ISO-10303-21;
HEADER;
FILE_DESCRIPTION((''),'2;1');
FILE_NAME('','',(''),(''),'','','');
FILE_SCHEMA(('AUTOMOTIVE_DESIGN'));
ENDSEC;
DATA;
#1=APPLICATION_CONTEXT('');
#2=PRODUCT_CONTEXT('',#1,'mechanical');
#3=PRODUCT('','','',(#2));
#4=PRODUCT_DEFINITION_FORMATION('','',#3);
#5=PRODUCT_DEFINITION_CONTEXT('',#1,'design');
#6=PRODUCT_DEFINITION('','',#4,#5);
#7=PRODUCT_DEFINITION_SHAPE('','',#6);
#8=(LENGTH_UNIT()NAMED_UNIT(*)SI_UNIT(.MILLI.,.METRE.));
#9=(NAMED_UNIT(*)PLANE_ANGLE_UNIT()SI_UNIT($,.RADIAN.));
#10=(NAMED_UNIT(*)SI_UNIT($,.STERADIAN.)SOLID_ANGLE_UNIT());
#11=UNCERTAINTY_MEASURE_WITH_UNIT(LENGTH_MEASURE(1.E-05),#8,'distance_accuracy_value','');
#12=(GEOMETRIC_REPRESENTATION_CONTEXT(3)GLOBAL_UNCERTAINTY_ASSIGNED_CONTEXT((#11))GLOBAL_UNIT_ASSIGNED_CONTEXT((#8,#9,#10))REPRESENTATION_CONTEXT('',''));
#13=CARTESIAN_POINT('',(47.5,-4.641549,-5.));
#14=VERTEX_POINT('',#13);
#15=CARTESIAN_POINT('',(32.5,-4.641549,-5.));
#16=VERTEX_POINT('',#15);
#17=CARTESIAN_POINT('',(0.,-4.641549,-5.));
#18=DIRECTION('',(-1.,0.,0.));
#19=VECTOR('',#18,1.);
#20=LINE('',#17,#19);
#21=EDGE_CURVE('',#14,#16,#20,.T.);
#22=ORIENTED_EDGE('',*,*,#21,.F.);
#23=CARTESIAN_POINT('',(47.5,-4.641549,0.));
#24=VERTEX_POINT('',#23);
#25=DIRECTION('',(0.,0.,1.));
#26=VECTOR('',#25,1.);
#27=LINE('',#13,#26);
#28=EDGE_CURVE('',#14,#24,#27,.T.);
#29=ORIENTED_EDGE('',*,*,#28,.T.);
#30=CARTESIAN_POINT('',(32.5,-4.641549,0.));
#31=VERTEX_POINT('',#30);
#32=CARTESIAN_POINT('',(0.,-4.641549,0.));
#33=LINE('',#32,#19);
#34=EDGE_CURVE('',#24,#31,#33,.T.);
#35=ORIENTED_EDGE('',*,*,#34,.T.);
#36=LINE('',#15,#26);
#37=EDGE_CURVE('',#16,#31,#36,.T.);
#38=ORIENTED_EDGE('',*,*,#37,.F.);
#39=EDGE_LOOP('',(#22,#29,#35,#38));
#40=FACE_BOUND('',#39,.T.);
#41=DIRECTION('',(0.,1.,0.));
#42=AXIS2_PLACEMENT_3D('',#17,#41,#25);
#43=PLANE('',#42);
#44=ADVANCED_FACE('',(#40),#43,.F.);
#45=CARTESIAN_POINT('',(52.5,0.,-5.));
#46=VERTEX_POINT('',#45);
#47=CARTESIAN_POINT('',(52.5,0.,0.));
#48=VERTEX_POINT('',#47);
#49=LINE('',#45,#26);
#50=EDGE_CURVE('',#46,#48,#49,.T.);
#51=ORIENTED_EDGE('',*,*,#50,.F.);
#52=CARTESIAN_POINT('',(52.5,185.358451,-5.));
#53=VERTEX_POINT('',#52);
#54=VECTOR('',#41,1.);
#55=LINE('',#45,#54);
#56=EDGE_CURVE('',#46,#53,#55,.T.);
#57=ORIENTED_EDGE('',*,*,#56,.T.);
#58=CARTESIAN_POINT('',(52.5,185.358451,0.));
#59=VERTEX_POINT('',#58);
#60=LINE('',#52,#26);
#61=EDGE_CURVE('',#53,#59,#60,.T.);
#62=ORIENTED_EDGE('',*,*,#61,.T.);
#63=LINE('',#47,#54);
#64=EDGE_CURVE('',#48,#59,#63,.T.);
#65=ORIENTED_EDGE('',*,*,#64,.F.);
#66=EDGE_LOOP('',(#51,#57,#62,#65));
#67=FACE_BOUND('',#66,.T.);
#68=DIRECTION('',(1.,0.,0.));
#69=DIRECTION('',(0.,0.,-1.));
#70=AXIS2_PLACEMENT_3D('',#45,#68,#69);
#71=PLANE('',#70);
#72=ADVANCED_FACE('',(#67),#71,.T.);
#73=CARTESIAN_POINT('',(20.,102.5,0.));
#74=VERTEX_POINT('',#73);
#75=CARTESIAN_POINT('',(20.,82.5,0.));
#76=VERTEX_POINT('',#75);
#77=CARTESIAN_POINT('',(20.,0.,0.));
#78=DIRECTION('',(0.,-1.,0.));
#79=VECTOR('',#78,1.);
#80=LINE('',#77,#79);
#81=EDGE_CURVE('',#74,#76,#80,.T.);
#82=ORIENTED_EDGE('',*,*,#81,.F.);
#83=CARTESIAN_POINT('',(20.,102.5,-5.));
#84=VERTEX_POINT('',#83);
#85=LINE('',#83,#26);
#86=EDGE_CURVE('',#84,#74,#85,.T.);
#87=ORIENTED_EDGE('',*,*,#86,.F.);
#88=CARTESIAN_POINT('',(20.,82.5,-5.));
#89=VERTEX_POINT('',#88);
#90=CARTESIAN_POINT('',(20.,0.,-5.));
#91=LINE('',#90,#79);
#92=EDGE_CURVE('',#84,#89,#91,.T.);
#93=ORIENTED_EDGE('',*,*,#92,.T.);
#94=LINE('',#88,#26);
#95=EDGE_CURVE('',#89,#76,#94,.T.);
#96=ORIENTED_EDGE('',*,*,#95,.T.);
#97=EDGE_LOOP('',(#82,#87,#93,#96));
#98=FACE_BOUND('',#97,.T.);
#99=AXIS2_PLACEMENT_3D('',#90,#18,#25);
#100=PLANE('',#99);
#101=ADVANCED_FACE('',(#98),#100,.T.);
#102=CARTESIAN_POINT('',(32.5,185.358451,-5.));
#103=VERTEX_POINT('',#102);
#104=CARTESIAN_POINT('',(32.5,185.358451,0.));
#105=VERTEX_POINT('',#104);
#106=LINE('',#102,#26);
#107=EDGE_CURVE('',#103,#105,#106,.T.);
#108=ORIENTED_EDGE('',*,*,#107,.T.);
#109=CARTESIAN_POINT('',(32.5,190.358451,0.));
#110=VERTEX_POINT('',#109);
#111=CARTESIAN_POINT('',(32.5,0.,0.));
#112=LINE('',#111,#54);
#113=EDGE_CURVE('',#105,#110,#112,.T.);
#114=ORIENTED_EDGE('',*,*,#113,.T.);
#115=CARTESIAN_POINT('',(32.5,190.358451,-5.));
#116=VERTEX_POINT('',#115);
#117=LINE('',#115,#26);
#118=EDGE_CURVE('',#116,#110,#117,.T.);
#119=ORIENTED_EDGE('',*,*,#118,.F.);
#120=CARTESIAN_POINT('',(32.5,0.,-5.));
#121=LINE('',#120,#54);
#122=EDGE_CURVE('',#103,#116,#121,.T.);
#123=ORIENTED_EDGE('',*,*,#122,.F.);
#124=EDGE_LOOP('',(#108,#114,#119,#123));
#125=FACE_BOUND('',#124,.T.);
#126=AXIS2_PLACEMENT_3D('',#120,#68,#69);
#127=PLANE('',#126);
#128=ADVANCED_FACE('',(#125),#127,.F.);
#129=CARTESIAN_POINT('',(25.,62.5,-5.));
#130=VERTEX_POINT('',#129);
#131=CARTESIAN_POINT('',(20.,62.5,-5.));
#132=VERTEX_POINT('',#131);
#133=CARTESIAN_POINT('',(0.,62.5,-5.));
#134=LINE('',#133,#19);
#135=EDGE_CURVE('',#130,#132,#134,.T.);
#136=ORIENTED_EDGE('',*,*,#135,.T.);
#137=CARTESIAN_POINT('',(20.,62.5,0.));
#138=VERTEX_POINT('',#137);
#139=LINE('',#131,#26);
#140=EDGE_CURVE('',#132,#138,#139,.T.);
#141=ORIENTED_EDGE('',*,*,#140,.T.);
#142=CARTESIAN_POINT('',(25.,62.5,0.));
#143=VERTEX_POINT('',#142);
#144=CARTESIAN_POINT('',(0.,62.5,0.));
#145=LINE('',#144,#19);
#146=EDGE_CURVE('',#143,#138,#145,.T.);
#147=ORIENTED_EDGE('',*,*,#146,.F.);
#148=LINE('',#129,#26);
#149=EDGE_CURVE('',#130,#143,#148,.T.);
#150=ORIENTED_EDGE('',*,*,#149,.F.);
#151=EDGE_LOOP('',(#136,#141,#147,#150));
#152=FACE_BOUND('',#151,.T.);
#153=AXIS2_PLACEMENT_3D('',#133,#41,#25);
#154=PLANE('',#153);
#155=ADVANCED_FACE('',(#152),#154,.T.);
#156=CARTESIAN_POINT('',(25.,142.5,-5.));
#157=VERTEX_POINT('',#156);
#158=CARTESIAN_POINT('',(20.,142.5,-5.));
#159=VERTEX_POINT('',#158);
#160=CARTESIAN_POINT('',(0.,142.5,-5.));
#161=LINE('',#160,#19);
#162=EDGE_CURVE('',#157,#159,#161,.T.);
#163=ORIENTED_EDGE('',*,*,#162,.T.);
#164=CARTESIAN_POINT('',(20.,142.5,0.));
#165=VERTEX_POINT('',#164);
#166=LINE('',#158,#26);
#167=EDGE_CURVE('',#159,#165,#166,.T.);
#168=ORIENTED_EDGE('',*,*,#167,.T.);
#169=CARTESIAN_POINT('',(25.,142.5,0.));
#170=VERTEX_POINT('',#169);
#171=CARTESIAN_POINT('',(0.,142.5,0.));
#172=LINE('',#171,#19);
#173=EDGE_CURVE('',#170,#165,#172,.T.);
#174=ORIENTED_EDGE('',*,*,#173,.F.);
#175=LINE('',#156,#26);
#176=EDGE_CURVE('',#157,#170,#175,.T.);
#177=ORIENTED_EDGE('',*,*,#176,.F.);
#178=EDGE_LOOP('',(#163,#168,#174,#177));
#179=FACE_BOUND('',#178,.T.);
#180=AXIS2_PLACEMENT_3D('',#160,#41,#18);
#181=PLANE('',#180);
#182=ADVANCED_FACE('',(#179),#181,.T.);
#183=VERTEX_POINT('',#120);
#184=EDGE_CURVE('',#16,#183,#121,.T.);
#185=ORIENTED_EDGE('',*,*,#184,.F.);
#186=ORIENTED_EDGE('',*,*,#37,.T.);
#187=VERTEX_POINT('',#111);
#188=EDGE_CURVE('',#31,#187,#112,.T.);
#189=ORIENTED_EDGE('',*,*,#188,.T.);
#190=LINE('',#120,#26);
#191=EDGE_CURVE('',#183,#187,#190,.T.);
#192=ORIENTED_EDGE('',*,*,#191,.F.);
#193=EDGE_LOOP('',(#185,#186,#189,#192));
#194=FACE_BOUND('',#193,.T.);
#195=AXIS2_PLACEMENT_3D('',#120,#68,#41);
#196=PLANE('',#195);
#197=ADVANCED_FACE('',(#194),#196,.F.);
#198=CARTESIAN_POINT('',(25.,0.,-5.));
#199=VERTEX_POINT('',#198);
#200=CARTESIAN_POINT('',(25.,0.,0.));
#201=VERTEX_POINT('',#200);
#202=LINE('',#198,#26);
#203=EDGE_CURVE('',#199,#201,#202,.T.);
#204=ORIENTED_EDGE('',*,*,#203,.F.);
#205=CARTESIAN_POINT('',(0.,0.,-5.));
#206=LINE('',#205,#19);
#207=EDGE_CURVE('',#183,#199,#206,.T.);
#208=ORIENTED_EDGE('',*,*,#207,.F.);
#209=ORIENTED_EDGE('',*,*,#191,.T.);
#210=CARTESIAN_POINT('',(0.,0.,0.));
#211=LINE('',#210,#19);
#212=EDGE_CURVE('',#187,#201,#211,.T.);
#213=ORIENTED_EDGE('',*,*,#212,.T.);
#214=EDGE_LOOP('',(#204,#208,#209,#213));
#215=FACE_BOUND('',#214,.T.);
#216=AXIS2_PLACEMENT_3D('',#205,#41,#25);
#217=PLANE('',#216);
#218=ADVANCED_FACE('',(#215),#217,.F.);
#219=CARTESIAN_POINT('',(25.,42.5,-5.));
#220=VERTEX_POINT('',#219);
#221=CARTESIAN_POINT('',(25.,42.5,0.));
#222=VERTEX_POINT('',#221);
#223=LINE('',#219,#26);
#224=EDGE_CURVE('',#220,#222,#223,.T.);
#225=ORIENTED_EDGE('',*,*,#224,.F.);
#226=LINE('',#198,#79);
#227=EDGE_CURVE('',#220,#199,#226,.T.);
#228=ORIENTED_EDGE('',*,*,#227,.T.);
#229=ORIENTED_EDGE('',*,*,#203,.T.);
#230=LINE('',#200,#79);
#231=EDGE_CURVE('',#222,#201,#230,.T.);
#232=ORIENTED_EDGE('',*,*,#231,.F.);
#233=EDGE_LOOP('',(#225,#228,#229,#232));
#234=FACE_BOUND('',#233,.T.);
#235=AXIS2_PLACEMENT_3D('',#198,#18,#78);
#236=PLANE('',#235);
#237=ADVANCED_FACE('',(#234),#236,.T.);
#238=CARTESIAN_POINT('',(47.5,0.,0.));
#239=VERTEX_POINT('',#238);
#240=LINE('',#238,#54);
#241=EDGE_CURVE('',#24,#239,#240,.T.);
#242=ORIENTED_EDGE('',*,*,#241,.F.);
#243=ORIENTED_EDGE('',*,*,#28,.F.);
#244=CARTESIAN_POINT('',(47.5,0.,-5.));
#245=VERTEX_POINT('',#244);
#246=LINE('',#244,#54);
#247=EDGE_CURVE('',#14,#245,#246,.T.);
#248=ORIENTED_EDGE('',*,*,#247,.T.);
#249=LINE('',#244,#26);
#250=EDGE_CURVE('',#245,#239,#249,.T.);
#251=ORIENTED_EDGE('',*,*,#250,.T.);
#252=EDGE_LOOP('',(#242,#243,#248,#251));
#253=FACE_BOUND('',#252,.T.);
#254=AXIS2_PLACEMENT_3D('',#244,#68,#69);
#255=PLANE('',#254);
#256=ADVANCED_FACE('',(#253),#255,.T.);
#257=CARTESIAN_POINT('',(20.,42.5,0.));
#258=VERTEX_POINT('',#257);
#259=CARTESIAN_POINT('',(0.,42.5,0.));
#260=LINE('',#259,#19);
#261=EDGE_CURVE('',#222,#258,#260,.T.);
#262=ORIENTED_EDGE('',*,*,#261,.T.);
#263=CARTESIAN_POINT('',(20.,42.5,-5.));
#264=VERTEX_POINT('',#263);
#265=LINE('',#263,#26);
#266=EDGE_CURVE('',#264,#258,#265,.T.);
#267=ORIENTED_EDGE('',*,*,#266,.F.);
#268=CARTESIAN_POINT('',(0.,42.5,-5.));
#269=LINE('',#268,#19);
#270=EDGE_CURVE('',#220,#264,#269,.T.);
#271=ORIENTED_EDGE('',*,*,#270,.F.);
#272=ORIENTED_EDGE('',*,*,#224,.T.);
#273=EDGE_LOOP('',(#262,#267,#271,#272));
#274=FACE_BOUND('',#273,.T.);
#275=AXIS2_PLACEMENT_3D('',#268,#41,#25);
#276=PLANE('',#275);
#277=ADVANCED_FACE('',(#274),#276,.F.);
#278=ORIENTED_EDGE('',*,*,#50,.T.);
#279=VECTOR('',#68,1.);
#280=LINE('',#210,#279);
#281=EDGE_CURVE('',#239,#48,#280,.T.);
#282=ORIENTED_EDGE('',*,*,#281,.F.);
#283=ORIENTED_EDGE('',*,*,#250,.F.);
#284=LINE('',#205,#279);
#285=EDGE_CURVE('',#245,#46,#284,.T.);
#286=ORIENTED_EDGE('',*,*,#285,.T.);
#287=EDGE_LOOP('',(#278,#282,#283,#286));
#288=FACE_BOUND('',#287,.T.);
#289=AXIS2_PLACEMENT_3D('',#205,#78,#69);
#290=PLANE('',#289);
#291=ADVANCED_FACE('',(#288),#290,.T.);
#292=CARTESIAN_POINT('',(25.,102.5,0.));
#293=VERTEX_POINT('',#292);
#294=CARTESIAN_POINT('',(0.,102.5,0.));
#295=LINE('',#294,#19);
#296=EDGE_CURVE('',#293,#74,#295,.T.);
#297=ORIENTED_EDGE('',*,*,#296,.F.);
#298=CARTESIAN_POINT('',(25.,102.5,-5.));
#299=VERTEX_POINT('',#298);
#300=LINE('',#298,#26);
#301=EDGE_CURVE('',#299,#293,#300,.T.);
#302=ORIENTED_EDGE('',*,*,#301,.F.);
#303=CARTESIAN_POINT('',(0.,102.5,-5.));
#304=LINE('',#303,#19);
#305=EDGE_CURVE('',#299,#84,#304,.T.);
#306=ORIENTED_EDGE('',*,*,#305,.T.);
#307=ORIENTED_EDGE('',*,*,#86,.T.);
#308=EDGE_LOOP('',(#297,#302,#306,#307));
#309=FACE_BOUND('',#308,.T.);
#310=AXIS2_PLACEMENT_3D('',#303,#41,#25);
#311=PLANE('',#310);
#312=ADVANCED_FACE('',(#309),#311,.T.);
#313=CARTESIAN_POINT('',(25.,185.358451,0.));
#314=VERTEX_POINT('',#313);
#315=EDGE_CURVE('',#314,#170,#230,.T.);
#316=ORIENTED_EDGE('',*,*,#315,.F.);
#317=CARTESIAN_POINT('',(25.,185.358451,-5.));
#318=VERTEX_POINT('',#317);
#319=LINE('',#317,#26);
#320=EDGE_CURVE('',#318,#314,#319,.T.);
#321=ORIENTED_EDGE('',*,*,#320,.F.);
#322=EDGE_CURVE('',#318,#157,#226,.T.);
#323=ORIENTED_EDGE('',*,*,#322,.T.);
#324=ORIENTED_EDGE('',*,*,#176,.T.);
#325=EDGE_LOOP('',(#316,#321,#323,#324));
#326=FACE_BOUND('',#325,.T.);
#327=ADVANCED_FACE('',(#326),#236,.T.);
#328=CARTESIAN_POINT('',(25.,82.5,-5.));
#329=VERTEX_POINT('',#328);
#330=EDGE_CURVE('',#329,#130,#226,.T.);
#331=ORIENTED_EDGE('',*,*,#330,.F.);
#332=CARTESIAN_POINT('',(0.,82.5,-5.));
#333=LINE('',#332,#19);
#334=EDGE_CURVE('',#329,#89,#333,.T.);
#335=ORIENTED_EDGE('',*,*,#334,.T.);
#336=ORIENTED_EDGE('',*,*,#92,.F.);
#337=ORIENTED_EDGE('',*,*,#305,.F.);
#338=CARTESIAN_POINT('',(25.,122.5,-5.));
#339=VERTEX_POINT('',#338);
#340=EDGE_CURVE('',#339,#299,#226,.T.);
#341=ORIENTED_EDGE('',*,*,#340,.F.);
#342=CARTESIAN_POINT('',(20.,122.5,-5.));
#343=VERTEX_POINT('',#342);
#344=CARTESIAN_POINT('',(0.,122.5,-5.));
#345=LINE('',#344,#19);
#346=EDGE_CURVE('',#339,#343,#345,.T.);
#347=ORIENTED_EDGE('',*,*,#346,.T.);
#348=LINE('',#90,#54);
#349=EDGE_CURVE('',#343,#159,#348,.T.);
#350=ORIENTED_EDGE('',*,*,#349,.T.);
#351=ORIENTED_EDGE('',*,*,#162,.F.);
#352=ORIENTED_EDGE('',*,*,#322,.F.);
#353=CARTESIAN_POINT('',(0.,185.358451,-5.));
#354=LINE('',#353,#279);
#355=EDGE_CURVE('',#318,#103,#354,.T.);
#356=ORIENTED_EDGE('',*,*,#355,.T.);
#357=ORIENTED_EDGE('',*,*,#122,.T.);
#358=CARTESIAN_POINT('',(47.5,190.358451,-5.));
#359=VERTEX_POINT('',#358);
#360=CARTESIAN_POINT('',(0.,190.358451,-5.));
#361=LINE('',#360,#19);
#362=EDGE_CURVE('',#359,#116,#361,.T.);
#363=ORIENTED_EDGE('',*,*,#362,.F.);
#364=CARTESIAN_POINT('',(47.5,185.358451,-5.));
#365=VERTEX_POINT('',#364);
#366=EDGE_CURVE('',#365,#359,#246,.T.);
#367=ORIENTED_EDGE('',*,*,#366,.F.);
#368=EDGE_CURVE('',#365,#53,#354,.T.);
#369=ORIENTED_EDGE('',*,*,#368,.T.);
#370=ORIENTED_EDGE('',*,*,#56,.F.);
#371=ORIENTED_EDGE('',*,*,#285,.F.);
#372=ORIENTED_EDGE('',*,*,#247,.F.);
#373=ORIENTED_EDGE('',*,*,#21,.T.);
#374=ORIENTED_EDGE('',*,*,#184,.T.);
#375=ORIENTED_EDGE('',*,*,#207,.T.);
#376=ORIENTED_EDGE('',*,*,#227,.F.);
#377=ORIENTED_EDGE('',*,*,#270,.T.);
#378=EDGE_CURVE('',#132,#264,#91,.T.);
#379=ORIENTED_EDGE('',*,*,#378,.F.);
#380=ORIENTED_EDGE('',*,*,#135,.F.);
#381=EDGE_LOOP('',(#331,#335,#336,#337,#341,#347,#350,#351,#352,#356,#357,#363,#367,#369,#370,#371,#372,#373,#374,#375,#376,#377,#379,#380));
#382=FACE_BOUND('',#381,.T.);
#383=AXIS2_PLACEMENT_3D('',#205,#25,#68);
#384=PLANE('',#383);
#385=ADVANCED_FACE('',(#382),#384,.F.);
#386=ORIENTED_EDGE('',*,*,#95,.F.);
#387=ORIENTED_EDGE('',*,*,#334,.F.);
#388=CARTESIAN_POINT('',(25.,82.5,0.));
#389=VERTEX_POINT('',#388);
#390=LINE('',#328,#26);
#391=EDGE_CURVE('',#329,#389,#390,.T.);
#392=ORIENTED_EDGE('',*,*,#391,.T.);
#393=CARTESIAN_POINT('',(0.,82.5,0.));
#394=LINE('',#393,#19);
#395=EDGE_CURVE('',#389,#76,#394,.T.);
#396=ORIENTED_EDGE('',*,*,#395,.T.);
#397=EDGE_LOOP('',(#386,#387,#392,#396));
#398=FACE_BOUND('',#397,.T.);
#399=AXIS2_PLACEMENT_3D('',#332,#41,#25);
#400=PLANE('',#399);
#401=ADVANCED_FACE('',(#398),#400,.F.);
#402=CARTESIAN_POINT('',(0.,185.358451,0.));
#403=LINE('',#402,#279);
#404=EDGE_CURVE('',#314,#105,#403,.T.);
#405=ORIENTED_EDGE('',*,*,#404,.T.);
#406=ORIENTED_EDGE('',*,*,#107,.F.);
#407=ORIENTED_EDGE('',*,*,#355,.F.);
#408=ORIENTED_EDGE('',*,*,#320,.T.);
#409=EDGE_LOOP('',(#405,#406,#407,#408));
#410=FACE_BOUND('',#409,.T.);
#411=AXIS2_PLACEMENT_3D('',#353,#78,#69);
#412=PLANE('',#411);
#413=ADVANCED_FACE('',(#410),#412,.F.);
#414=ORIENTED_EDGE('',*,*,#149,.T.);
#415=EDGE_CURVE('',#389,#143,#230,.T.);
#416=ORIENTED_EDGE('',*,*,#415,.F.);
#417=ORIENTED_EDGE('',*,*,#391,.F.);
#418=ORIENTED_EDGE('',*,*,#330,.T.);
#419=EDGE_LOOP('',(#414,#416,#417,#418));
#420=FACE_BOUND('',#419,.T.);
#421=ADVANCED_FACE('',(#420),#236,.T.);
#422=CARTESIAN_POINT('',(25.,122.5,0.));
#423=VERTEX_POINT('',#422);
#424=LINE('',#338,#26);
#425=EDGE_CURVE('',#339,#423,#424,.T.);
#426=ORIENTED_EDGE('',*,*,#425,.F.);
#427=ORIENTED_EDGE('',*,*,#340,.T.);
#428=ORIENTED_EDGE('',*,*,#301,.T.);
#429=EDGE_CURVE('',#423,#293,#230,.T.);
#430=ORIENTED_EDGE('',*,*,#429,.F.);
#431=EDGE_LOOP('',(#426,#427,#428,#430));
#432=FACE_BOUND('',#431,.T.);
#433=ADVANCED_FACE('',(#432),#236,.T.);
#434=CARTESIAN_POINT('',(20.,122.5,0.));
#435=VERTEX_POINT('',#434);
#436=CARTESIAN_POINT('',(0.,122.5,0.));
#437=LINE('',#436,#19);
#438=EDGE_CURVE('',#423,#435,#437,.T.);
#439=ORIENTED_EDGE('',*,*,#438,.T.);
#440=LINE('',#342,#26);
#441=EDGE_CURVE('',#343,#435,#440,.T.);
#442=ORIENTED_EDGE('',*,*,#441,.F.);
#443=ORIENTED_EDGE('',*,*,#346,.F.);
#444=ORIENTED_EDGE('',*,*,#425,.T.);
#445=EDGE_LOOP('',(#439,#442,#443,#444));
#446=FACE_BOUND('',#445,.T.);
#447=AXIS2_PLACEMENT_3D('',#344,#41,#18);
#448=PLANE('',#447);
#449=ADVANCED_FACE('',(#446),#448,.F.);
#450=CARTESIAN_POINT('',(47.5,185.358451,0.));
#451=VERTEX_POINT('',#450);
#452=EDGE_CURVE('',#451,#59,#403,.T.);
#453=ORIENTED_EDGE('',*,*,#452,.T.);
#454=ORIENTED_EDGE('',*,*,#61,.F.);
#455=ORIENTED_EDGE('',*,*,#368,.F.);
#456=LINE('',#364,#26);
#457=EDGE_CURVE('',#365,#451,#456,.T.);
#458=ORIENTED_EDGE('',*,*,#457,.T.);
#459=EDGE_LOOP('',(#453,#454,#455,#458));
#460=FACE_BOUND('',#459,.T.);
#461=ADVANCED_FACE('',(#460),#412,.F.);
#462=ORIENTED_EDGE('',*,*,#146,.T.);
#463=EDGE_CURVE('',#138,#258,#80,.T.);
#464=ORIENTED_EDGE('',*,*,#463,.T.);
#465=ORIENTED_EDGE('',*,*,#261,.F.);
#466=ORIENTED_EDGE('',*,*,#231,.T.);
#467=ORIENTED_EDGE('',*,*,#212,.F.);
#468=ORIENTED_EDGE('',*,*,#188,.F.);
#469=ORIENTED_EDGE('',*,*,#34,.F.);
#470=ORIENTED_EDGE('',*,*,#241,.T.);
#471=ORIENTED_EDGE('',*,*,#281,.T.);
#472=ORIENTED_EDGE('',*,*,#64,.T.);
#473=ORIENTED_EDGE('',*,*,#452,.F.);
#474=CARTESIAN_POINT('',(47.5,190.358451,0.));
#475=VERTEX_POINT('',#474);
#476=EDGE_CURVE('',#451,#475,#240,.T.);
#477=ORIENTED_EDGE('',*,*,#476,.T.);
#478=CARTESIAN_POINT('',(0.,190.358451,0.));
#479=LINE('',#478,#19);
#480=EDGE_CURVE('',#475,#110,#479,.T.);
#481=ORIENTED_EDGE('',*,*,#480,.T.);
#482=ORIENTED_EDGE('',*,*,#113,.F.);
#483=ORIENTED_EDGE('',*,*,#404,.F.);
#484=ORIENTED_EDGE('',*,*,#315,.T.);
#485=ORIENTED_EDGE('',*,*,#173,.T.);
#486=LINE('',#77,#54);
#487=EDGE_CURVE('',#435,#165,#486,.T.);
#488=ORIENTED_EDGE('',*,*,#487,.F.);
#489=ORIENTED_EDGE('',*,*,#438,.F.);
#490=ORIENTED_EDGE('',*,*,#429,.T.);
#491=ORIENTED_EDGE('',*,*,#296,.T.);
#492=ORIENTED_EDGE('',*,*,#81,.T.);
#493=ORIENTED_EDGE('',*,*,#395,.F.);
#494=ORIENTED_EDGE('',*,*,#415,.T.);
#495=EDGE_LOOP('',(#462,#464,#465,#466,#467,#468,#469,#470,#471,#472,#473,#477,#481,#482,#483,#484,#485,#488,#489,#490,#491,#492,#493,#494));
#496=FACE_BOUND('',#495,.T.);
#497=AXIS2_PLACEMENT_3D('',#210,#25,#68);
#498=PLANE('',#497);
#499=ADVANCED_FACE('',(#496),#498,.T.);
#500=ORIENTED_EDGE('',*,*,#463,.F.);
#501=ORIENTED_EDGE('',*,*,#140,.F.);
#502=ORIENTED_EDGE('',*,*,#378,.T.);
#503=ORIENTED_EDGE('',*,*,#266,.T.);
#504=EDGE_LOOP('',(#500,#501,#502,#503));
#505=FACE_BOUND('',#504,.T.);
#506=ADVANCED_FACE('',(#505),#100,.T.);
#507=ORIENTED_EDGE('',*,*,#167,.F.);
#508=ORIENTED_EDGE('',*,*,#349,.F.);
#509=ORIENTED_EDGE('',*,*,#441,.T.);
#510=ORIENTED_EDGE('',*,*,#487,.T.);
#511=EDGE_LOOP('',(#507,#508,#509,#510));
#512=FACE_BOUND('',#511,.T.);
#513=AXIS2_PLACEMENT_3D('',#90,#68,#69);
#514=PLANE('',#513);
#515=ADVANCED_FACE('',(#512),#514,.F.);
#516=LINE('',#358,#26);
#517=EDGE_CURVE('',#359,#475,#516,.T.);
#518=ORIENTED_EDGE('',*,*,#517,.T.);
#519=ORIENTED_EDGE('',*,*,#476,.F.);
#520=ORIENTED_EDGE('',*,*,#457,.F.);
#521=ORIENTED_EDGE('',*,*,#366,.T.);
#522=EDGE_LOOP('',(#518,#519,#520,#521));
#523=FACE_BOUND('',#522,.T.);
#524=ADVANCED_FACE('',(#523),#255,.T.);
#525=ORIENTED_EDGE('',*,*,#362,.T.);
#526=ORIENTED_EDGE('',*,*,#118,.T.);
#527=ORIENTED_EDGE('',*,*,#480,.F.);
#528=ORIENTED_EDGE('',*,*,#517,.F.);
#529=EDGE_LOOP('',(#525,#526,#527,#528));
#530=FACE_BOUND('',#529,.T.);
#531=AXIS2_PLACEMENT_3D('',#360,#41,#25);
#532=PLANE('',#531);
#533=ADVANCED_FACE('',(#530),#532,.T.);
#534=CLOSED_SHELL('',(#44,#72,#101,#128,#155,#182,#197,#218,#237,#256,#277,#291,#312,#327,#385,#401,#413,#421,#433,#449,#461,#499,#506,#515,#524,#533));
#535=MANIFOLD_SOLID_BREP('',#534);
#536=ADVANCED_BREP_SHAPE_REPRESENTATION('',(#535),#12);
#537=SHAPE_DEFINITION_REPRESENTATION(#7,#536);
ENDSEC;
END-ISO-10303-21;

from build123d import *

# Parameters (mm, degrees)
BOSS_EXTRUDE1_DEPTH = 5


with BuildPart() as part:
    # Sketch1 → Boss-Extrude1 (new body)
    with BuildSketch(Plane.XY):
        Polygon((52.5, 185.35845109), (47.5, 185.35845109), (47.5, 190.35845109), (32.5, 190.35845109), (32.5, 185.35845109), (25, 185.35845109), (25, 142.5), (20, 142.5), (20, 122.5), (25, 122.5), (25, 102.5), (20, 102.5), (20, 82.5), (25, 82.5), (25, 62.5), (20, 62.5), (20, 42.5), (25, 42.5), (25, 0), (32.5, 0), (32.5, -4.64154891), (40, -4.64154891), (47.5, -4.64154891), (47.5, 0), (52.5, 0), align=None)
    extrude(amount=-BOSS_EXTRUDE1_DEPTH)


solid = part.part
